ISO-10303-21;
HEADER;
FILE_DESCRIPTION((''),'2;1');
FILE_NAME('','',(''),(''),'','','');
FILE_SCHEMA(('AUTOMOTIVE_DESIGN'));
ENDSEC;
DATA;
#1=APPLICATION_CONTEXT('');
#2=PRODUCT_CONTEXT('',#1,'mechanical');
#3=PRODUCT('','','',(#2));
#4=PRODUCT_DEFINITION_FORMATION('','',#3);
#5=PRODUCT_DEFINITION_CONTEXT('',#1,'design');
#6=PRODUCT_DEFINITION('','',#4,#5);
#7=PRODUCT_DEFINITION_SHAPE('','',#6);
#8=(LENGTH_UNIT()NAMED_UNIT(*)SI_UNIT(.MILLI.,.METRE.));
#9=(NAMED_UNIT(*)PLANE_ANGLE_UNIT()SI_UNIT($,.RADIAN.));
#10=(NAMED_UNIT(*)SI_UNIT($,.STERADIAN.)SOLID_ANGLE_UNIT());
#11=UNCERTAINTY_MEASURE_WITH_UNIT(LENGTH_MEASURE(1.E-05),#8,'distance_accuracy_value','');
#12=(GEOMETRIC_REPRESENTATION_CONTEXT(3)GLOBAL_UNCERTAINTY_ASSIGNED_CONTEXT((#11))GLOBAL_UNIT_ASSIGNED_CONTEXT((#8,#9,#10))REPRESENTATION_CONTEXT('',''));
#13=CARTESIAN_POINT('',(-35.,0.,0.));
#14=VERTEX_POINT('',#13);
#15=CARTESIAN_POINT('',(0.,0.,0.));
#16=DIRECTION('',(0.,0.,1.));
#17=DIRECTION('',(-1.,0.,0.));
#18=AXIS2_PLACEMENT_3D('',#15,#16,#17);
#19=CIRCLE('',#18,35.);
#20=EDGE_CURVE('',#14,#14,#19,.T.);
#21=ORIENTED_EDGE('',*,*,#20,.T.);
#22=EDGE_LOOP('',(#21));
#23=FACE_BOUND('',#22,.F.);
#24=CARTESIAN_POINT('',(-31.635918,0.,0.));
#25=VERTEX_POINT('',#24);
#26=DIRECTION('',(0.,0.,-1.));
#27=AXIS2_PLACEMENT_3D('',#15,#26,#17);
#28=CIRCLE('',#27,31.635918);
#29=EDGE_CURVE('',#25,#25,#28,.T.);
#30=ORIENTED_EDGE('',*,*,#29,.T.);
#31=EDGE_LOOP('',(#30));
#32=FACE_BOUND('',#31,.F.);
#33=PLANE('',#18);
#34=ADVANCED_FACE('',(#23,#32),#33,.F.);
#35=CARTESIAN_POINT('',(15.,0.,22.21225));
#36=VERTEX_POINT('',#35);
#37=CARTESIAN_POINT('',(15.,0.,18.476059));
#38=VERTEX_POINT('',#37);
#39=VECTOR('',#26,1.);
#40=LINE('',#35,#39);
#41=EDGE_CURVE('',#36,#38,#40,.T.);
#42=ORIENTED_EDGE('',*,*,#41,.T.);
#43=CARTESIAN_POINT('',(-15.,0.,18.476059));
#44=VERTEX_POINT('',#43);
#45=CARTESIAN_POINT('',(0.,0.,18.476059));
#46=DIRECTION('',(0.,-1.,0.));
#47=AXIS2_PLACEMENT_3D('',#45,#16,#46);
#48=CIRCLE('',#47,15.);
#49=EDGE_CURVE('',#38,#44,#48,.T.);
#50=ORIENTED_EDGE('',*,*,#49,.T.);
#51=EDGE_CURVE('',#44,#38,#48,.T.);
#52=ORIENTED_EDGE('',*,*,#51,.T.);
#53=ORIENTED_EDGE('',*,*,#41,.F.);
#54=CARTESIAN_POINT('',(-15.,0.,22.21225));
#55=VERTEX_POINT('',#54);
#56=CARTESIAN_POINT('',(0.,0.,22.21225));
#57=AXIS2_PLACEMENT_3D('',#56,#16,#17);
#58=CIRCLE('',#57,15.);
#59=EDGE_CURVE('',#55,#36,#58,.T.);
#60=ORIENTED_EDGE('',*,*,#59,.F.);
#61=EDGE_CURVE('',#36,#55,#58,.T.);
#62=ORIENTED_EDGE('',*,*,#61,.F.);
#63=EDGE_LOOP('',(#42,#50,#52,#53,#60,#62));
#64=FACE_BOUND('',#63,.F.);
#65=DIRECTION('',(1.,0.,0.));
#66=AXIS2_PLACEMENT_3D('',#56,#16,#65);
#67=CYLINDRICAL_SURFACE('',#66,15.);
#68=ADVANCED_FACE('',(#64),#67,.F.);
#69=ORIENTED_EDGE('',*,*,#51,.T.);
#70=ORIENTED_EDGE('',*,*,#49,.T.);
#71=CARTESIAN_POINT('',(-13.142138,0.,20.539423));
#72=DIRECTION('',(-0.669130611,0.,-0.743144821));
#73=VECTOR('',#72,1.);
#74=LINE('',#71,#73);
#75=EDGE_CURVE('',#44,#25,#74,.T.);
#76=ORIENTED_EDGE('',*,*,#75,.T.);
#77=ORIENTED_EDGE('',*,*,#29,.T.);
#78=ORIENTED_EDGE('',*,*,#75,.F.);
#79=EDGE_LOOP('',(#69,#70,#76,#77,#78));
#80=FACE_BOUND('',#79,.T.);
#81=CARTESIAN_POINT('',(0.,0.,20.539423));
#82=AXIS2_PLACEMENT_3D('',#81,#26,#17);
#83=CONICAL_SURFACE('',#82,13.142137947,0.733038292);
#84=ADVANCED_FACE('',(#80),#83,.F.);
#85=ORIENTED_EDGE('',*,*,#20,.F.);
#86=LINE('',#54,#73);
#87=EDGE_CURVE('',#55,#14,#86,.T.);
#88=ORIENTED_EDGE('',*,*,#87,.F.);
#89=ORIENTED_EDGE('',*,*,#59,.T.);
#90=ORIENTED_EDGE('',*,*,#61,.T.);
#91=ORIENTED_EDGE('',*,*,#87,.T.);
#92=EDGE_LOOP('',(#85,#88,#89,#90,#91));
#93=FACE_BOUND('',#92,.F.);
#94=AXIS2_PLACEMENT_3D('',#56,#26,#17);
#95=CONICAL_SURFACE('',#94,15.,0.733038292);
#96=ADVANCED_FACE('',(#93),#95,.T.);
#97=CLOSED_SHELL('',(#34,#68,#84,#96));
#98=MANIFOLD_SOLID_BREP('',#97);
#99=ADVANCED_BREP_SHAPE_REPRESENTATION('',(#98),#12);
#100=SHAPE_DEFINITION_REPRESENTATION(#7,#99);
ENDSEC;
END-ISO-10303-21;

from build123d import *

# Parameters (mm, degrees)
F2_T      = -2.5
F1_FACE_R = 15
F3_DEPTH  = 25


with BuildPart() as f1:
    # F0 (on Front) → F1 (revolve)
    with BuildSketch(Plane.XZ):
        Polygon((0, 0), (0, 22.21225), (-15, 22.21225), (-35, 0), align=None)
    revolve(axis=Axis((0, 0, 30.702899), (0, 0, 1)))

    # F2
    f2_openings = [f1.faces().sort_by_distance(p)[0] for p in [
        (0, 0, 0),
    ]]
    offset(amount=F2_T, openings=f2_openings)

    # F1_face (on face) → F3 (cut)
    with BuildSketch(Plane.XY.offset(22.21225)):
        Circle(F1_FACE_R)
    extrude(amount=-F3_DEPTH, mode=Mode.SUBTRACT)


solid = f1.part
